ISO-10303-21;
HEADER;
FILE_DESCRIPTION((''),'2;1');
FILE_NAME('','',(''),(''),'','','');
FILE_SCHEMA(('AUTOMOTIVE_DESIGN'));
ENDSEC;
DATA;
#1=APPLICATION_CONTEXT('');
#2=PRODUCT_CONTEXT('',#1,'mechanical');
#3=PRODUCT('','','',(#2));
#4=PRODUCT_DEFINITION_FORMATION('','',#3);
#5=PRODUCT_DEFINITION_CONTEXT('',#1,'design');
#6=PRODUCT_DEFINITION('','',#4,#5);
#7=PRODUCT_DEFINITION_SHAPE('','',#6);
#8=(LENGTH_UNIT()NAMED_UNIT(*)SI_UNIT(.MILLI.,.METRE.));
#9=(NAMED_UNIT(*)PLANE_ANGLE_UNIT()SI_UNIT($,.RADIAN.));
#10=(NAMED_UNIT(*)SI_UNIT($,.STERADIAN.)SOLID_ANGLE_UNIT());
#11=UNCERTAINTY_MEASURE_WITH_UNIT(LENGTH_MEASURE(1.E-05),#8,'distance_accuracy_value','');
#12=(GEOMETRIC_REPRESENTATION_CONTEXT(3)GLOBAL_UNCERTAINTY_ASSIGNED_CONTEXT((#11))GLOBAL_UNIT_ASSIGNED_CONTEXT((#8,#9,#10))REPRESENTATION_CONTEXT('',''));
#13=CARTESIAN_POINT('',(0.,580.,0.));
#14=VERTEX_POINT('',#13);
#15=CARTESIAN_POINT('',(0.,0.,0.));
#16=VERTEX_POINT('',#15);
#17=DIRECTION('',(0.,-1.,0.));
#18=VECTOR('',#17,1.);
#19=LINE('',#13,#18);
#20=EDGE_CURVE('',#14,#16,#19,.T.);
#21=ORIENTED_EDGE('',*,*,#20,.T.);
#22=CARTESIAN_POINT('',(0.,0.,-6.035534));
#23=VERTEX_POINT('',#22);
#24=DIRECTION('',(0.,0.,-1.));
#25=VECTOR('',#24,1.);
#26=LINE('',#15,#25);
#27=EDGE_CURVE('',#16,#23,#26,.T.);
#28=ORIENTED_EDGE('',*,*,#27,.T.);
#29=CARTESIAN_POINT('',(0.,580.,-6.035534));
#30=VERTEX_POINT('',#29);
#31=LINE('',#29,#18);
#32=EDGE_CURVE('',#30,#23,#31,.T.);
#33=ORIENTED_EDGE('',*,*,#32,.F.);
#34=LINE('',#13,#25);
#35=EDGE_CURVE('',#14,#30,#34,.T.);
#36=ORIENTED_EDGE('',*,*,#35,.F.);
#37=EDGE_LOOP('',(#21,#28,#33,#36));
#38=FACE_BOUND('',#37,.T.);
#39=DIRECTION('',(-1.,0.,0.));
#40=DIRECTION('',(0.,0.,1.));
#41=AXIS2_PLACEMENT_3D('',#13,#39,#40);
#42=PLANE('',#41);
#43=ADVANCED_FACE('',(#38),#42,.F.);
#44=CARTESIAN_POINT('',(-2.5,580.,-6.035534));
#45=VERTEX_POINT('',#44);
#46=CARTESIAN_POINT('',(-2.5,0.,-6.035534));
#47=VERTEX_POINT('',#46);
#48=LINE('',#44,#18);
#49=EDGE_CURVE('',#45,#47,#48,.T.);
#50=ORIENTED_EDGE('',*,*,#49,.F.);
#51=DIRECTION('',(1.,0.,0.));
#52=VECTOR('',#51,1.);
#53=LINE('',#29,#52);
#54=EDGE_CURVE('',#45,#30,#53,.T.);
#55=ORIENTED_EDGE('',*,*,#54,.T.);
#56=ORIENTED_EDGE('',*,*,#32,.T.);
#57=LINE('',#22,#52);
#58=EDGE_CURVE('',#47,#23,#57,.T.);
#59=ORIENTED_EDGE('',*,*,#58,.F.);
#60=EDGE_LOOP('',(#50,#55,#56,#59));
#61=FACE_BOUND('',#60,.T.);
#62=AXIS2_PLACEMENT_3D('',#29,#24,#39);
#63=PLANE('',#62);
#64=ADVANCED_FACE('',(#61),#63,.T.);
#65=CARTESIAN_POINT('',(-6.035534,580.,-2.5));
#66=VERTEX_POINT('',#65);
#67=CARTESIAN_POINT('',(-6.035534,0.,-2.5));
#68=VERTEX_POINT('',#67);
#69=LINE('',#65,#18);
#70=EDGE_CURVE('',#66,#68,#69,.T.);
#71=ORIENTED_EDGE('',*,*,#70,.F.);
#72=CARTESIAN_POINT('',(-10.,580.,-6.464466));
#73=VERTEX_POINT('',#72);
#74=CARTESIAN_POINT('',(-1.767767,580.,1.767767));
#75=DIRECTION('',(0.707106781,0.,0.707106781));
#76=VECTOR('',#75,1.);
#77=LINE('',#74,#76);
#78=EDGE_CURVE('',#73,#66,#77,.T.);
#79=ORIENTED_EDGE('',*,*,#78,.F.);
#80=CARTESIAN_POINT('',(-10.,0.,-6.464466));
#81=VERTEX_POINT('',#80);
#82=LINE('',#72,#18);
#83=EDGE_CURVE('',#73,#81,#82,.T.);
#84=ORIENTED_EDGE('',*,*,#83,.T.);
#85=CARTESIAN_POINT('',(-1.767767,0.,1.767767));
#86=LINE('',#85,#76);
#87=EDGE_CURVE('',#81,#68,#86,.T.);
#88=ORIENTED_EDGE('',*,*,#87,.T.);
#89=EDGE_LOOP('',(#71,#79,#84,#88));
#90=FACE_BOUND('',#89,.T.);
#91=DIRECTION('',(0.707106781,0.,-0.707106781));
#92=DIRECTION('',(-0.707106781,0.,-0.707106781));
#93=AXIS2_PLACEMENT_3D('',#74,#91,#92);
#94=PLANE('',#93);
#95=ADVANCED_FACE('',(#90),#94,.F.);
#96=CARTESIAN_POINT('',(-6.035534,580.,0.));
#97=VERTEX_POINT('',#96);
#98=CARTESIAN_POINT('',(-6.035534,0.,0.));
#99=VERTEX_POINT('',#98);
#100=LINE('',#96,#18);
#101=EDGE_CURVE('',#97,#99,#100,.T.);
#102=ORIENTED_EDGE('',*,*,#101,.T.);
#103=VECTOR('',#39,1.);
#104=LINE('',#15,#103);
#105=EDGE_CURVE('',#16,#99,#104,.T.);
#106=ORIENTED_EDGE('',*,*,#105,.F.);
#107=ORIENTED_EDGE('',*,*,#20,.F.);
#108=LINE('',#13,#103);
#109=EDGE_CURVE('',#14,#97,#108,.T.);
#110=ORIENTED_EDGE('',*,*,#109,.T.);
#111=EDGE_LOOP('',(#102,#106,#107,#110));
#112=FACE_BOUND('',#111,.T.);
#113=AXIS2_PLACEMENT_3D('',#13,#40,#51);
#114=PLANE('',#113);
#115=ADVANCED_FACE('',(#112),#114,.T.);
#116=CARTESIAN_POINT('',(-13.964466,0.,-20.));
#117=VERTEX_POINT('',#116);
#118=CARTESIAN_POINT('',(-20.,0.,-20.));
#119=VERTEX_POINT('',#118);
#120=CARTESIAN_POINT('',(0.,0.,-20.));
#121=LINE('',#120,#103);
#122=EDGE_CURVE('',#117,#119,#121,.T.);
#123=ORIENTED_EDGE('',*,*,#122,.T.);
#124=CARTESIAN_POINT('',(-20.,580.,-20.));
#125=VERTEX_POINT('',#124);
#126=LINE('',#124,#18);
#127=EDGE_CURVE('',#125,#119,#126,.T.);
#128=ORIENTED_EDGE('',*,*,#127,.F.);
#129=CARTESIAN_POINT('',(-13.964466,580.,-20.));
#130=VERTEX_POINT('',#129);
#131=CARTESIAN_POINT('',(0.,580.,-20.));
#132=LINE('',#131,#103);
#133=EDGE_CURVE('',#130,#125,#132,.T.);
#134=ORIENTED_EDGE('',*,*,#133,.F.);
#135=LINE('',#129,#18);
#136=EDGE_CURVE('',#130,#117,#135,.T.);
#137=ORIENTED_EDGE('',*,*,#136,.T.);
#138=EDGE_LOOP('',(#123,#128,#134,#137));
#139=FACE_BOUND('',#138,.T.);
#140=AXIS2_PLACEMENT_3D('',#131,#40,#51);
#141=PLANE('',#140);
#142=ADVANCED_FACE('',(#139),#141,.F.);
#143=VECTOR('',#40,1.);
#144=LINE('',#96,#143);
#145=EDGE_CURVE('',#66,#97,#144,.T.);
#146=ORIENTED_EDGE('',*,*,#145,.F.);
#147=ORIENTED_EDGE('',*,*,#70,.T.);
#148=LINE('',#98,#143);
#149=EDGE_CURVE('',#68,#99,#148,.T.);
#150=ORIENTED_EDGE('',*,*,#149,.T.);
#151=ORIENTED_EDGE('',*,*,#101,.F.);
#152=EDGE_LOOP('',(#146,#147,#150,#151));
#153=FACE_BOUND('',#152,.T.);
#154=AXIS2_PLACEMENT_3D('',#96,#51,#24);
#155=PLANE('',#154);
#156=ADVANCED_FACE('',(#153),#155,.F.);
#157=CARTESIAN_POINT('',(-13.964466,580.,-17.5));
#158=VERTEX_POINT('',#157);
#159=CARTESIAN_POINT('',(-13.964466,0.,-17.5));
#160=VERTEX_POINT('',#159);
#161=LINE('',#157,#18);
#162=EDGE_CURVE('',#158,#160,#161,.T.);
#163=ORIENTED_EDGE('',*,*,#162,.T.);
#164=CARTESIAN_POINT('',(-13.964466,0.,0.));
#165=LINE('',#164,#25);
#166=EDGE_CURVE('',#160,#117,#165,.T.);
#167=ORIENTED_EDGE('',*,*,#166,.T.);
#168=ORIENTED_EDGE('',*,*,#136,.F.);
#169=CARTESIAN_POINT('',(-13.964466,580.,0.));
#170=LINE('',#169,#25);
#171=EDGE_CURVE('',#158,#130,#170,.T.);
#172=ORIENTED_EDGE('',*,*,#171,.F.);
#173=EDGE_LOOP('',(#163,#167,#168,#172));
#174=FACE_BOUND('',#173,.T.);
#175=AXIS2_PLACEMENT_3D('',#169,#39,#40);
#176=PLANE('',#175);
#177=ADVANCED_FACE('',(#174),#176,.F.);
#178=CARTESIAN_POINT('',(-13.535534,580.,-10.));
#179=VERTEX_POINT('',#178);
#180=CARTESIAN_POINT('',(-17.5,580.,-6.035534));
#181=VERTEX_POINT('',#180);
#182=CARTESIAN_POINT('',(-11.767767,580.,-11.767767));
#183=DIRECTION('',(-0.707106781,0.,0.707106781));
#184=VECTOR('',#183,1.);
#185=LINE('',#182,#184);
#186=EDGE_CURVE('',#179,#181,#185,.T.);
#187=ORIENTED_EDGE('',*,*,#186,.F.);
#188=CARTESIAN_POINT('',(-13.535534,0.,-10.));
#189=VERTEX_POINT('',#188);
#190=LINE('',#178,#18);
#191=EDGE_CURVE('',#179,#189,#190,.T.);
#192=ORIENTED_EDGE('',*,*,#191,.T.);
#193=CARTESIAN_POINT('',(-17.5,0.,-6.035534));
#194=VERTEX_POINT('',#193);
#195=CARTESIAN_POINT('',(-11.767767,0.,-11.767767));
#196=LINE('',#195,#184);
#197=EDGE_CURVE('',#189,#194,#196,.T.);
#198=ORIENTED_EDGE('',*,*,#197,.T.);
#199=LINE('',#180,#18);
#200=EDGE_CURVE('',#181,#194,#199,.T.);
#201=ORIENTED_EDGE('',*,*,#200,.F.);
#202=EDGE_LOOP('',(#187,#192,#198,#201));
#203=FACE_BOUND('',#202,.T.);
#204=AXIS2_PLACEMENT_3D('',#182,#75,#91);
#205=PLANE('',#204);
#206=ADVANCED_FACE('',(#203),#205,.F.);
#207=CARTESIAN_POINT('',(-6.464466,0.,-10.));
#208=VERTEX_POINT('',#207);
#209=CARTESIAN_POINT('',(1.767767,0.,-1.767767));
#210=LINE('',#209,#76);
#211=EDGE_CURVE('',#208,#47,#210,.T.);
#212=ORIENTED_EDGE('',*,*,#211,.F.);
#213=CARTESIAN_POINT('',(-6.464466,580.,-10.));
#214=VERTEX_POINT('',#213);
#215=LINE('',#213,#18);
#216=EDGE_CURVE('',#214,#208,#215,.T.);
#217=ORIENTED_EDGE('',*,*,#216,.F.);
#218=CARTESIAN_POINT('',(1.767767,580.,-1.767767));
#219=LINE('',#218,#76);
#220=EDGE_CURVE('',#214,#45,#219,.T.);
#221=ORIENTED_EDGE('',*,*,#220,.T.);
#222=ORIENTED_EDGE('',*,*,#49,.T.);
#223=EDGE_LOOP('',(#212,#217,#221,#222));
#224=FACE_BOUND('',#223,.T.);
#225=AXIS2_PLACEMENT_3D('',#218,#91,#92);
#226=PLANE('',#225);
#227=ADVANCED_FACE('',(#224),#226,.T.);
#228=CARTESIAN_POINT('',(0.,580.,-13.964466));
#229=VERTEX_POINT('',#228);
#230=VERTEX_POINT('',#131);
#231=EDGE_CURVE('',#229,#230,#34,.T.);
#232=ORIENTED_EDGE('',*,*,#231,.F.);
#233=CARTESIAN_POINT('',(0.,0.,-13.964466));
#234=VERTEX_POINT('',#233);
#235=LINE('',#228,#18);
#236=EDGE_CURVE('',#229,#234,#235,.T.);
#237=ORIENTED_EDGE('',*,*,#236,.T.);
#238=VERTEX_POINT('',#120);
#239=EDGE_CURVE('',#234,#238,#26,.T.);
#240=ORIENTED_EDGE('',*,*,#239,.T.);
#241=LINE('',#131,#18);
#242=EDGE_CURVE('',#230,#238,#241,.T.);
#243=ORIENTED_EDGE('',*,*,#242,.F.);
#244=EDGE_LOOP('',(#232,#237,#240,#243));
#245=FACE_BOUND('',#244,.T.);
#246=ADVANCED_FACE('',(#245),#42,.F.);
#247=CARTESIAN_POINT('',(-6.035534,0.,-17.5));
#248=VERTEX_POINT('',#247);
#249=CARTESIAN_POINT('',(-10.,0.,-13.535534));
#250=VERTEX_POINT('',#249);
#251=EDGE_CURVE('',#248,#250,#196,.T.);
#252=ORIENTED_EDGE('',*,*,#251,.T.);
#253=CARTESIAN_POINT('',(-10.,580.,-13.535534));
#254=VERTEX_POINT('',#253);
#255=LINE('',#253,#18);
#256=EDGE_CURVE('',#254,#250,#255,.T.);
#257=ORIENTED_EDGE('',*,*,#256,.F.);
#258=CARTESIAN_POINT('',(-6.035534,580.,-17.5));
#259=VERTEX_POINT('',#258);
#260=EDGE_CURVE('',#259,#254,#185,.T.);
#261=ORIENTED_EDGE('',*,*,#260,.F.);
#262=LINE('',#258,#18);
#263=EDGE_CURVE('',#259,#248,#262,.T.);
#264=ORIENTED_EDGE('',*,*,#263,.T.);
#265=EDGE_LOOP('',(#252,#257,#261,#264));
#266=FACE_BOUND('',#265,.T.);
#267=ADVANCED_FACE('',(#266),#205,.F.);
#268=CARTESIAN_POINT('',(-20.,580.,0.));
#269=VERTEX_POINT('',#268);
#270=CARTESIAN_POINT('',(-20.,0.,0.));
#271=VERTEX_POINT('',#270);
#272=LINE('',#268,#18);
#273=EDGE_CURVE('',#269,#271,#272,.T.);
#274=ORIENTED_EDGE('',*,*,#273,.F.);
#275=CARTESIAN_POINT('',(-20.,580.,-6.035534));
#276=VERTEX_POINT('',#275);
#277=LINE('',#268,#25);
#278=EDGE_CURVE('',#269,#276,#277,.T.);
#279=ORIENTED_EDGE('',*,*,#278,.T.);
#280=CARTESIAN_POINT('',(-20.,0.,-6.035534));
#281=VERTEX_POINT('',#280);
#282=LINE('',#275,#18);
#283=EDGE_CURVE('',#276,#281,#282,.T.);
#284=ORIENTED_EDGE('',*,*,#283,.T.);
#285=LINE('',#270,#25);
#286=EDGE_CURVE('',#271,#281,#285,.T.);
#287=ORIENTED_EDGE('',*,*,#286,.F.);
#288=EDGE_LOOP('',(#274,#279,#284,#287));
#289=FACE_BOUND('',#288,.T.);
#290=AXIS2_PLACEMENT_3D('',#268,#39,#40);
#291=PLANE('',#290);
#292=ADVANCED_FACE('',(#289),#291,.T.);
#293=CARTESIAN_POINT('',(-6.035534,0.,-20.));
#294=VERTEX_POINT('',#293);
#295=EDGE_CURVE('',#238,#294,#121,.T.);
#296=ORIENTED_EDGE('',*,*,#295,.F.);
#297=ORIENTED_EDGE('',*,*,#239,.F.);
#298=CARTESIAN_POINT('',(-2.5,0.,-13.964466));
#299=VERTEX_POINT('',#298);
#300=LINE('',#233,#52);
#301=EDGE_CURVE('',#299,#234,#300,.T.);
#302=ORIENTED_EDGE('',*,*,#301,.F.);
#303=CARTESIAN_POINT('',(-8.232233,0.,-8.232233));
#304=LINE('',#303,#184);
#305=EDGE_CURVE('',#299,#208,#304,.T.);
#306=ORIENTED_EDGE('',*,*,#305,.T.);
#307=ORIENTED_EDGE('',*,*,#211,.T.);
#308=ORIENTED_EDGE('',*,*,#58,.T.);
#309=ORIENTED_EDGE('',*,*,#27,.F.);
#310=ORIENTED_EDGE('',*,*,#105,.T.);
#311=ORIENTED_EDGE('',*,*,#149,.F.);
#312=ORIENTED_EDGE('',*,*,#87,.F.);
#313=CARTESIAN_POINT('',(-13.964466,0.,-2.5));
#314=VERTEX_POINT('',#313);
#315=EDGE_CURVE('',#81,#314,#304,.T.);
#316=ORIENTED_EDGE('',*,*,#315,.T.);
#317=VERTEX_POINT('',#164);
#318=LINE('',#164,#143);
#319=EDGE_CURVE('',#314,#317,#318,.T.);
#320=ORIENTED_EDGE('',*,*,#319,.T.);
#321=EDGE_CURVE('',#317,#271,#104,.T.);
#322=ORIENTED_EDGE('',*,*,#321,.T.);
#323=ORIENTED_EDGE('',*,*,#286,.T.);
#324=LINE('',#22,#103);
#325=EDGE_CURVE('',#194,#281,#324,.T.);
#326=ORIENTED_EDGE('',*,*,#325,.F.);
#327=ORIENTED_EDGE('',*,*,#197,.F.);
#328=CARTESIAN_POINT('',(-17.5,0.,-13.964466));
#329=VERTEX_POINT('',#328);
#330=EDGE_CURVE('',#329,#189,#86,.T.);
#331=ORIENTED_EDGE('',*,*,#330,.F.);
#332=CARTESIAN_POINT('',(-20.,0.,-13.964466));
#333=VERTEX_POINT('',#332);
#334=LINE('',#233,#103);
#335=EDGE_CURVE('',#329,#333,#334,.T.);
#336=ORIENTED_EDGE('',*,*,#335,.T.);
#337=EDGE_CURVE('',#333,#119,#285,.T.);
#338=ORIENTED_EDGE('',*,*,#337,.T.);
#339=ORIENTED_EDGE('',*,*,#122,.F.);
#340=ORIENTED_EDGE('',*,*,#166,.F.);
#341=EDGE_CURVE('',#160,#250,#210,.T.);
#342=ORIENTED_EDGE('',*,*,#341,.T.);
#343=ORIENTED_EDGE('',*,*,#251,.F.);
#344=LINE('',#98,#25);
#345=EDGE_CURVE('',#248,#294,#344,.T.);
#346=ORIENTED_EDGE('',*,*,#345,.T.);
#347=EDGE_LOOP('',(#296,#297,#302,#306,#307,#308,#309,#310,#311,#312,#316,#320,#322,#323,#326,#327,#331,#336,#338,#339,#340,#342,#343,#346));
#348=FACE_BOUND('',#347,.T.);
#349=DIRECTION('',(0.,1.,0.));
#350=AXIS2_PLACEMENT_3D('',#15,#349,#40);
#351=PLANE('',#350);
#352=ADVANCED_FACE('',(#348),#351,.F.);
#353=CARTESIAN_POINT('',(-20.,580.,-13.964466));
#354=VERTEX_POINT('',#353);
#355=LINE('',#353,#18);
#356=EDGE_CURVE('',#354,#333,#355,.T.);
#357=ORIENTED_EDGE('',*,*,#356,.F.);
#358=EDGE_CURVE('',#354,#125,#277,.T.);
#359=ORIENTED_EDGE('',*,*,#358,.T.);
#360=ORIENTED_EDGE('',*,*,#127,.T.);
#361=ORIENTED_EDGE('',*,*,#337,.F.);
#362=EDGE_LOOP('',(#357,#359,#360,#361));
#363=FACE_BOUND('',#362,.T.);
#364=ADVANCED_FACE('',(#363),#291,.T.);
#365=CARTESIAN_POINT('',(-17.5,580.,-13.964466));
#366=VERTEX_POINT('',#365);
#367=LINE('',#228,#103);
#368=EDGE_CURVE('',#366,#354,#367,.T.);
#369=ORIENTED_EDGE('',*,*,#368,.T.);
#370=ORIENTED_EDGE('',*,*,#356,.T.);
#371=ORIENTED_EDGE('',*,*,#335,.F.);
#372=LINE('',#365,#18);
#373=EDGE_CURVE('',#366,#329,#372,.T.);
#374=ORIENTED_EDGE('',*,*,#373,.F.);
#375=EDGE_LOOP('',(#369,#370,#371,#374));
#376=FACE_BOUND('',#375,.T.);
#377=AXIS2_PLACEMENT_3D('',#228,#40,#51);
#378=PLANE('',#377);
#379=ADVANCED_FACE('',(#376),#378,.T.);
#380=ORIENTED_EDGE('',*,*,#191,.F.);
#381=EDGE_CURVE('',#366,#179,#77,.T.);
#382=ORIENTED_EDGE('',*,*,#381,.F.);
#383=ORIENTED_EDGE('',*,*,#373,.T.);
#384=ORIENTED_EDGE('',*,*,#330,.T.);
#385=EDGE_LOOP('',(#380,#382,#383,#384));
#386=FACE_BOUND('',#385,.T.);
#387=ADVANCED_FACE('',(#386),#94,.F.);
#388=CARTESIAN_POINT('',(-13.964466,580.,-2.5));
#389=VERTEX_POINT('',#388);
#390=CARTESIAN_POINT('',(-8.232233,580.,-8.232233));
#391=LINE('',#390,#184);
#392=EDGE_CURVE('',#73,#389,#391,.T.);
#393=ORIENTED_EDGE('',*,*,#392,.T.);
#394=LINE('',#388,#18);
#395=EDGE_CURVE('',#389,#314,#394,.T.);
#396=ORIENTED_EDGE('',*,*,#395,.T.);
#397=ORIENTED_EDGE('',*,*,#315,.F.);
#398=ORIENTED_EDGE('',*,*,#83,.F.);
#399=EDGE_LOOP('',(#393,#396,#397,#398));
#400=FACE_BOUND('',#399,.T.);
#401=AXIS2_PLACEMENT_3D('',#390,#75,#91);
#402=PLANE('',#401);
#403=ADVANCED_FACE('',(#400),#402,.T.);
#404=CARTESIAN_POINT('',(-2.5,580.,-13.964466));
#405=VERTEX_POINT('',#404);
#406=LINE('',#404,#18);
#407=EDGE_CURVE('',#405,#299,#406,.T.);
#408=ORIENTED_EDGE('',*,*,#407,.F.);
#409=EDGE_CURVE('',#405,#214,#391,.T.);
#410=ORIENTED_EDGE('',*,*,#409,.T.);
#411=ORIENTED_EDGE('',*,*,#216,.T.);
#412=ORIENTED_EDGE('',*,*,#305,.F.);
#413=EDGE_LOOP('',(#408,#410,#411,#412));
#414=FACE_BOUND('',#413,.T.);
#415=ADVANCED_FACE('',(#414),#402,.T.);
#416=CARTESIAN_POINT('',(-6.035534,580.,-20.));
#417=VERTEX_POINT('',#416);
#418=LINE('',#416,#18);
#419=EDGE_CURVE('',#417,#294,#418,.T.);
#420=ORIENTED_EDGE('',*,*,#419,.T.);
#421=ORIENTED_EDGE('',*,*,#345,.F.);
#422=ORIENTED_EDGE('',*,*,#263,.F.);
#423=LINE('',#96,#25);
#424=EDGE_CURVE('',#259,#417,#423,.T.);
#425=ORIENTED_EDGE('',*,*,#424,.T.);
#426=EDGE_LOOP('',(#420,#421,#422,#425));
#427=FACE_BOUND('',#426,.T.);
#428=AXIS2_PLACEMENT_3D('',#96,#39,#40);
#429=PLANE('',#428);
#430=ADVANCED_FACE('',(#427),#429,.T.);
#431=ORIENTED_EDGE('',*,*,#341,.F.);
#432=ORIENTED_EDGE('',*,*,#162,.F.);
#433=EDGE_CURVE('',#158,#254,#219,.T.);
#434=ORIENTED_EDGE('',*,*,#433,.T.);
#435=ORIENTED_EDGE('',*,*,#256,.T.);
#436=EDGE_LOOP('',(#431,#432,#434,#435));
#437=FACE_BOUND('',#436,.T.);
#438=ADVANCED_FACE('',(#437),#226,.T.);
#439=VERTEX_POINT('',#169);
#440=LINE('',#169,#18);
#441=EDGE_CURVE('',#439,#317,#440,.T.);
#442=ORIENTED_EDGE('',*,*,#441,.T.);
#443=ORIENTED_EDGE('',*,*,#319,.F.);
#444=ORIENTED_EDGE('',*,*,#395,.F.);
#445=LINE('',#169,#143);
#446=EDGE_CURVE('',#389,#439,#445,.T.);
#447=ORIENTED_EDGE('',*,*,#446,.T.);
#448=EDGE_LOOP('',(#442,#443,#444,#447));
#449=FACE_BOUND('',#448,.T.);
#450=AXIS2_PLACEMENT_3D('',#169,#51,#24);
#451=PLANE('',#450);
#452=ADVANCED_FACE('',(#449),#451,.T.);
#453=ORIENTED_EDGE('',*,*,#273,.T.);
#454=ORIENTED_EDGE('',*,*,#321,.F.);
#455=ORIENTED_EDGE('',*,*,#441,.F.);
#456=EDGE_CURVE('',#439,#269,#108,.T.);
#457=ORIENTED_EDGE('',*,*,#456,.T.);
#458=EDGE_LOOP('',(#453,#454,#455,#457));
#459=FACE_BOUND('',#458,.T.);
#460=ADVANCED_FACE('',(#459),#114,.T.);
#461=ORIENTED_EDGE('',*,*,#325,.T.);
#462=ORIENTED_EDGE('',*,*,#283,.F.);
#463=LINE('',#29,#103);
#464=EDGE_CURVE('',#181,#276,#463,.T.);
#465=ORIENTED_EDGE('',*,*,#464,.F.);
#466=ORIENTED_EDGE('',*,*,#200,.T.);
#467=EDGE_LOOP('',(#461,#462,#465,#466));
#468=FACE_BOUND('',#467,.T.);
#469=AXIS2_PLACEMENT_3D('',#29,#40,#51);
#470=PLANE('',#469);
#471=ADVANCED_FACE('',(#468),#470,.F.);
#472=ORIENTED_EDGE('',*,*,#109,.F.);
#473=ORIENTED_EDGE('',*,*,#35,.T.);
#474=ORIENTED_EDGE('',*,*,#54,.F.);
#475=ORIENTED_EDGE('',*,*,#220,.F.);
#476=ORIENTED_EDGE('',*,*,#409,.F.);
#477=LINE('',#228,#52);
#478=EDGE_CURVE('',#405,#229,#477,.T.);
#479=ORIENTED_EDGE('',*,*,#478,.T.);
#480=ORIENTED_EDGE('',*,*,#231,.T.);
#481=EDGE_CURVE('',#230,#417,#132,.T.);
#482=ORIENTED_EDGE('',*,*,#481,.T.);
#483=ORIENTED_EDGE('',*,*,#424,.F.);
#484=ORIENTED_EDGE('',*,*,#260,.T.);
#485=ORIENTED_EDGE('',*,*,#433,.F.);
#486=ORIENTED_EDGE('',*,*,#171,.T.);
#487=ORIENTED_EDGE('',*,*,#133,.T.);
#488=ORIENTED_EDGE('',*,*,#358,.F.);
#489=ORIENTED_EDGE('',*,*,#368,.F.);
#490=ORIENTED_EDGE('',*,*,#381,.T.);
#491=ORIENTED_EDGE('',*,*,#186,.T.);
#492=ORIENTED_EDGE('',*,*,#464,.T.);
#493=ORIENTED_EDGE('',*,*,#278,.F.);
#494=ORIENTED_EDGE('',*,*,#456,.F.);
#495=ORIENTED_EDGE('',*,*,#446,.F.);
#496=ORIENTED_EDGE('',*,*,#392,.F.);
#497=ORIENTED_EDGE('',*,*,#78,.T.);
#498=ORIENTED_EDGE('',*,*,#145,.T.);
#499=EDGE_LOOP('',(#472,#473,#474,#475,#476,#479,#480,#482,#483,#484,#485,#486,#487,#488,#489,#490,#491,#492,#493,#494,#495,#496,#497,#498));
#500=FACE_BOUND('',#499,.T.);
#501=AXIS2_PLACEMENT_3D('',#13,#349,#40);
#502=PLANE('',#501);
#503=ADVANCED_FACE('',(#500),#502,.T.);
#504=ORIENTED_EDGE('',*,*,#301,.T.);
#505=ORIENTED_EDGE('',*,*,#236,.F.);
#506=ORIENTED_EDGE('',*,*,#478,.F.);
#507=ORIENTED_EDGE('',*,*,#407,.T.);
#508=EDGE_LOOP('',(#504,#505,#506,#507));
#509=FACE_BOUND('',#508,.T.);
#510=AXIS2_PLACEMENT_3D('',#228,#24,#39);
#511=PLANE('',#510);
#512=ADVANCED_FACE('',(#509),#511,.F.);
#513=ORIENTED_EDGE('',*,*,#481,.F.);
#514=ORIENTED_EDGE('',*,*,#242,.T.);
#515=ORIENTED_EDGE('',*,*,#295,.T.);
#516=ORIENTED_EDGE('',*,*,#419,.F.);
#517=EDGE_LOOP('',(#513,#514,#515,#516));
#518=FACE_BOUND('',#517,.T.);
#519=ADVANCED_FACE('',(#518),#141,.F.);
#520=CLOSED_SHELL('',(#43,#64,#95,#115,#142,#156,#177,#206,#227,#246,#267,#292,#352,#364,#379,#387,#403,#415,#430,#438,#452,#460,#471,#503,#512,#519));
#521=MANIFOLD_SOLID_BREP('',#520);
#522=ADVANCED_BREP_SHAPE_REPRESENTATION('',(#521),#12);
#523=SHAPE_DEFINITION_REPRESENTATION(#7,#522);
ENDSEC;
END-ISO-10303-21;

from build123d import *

# Parameters (mm, degrees)
BOSS_EXTRU_1_DEPTH = 580


with BuildPart() as part:
    # Esquisse1 → Boss.-Extru.1 (new body)
    with BuildSketch(Plane(origin=(0, 0, 0), x_dir=(1, 0, 0), z_dir=(0, 1, 0))):
        Polygon((-3.535533906, 0), (-6.035533906, 2.5), (-6.035533906, 0), align=None)
        Polygon((0, 3.535533906), (-2.5, 6.035533906), (-2.5, 2.5), (-6.035533906, 2.5), (-3.535533906, 0), (0, 0), align=None)
        Polygon((0, 6.035533906), (-2.5, 6.035533906), (0, 3.535533906), align=None)
        Polygon((-2.5, 2.5), (-2.5, 6.035533906), (-6.464466094, 10), (-10, 6.464466094), (-6.035533906, 2.5), align=None)
        Polygon((-13.964466094, 0), (-13.964466094, 2.5), (-16.464466094, 0), align=None)
        Polygon((-17.5, 2.5), (-17.5, 6.035533906), (-20, 3.535533906), (-20, 0), (-16.464466094, 0), (-13.964466094, 2.5), align=None)
        Polygon((-20, 3.535533906), (-17.5, 6.035533906), (-20, 6.035533906), align=None)
        Polygon((-10, 6.464466094), (-13.535533906, 10), (-17.5, 6.035533906), (-17.5, 2.5), (-13.964466094, 2.5), align=None)
        Polygon((-6.464466094, 10), (-10, 13.535533906), (-13.535533906, 10), (-10, 6.464466094), align=None)
        Polygon((-2.5, 13.964466094), (-2.5, 17.5), (-6.035533906, 17.5), (-10, 13.535533906), (-6.464466094, 10), align=None)
        Polygon((-6.035533906, 17.5), (-2.5, 17.5), (-2.5, 13.964466094), (0, 16.464466094), (0, 20), (-3.535533906, 20), align=None)
        Polygon((0, 16.464466094), (-2.5, 13.964466094), (0, 13.964466094), align=None)
        Polygon((-6.035533906, 20), (-6.035533906, 17.5), (-3.535533906, 20), align=None)
        Polygon((-16.464466094, 20), (-13.964466094, 17.5), (-13.964466094, 20), align=None)
        Polygon((-17.5, 17.5), (-13.964466094, 17.5), (-16.464466094, 20), (-20, 20), (-20, 16.464466094), (-17.5, 13.964466094), align=None)
        Polygon((-20, 13.964466094), (-17.5, 13.964466094), (-20, 16.464466094), align=None)
        Polygon((-10, 13.535533906), (-13.964466094, 17.5), (-17.5, 17.5), (-17.5, 13.964466094), (-13.535533906, 10), align=None)
    extrude(amount=BOSS_EXTRU_1_DEPTH)


solid = part.part
